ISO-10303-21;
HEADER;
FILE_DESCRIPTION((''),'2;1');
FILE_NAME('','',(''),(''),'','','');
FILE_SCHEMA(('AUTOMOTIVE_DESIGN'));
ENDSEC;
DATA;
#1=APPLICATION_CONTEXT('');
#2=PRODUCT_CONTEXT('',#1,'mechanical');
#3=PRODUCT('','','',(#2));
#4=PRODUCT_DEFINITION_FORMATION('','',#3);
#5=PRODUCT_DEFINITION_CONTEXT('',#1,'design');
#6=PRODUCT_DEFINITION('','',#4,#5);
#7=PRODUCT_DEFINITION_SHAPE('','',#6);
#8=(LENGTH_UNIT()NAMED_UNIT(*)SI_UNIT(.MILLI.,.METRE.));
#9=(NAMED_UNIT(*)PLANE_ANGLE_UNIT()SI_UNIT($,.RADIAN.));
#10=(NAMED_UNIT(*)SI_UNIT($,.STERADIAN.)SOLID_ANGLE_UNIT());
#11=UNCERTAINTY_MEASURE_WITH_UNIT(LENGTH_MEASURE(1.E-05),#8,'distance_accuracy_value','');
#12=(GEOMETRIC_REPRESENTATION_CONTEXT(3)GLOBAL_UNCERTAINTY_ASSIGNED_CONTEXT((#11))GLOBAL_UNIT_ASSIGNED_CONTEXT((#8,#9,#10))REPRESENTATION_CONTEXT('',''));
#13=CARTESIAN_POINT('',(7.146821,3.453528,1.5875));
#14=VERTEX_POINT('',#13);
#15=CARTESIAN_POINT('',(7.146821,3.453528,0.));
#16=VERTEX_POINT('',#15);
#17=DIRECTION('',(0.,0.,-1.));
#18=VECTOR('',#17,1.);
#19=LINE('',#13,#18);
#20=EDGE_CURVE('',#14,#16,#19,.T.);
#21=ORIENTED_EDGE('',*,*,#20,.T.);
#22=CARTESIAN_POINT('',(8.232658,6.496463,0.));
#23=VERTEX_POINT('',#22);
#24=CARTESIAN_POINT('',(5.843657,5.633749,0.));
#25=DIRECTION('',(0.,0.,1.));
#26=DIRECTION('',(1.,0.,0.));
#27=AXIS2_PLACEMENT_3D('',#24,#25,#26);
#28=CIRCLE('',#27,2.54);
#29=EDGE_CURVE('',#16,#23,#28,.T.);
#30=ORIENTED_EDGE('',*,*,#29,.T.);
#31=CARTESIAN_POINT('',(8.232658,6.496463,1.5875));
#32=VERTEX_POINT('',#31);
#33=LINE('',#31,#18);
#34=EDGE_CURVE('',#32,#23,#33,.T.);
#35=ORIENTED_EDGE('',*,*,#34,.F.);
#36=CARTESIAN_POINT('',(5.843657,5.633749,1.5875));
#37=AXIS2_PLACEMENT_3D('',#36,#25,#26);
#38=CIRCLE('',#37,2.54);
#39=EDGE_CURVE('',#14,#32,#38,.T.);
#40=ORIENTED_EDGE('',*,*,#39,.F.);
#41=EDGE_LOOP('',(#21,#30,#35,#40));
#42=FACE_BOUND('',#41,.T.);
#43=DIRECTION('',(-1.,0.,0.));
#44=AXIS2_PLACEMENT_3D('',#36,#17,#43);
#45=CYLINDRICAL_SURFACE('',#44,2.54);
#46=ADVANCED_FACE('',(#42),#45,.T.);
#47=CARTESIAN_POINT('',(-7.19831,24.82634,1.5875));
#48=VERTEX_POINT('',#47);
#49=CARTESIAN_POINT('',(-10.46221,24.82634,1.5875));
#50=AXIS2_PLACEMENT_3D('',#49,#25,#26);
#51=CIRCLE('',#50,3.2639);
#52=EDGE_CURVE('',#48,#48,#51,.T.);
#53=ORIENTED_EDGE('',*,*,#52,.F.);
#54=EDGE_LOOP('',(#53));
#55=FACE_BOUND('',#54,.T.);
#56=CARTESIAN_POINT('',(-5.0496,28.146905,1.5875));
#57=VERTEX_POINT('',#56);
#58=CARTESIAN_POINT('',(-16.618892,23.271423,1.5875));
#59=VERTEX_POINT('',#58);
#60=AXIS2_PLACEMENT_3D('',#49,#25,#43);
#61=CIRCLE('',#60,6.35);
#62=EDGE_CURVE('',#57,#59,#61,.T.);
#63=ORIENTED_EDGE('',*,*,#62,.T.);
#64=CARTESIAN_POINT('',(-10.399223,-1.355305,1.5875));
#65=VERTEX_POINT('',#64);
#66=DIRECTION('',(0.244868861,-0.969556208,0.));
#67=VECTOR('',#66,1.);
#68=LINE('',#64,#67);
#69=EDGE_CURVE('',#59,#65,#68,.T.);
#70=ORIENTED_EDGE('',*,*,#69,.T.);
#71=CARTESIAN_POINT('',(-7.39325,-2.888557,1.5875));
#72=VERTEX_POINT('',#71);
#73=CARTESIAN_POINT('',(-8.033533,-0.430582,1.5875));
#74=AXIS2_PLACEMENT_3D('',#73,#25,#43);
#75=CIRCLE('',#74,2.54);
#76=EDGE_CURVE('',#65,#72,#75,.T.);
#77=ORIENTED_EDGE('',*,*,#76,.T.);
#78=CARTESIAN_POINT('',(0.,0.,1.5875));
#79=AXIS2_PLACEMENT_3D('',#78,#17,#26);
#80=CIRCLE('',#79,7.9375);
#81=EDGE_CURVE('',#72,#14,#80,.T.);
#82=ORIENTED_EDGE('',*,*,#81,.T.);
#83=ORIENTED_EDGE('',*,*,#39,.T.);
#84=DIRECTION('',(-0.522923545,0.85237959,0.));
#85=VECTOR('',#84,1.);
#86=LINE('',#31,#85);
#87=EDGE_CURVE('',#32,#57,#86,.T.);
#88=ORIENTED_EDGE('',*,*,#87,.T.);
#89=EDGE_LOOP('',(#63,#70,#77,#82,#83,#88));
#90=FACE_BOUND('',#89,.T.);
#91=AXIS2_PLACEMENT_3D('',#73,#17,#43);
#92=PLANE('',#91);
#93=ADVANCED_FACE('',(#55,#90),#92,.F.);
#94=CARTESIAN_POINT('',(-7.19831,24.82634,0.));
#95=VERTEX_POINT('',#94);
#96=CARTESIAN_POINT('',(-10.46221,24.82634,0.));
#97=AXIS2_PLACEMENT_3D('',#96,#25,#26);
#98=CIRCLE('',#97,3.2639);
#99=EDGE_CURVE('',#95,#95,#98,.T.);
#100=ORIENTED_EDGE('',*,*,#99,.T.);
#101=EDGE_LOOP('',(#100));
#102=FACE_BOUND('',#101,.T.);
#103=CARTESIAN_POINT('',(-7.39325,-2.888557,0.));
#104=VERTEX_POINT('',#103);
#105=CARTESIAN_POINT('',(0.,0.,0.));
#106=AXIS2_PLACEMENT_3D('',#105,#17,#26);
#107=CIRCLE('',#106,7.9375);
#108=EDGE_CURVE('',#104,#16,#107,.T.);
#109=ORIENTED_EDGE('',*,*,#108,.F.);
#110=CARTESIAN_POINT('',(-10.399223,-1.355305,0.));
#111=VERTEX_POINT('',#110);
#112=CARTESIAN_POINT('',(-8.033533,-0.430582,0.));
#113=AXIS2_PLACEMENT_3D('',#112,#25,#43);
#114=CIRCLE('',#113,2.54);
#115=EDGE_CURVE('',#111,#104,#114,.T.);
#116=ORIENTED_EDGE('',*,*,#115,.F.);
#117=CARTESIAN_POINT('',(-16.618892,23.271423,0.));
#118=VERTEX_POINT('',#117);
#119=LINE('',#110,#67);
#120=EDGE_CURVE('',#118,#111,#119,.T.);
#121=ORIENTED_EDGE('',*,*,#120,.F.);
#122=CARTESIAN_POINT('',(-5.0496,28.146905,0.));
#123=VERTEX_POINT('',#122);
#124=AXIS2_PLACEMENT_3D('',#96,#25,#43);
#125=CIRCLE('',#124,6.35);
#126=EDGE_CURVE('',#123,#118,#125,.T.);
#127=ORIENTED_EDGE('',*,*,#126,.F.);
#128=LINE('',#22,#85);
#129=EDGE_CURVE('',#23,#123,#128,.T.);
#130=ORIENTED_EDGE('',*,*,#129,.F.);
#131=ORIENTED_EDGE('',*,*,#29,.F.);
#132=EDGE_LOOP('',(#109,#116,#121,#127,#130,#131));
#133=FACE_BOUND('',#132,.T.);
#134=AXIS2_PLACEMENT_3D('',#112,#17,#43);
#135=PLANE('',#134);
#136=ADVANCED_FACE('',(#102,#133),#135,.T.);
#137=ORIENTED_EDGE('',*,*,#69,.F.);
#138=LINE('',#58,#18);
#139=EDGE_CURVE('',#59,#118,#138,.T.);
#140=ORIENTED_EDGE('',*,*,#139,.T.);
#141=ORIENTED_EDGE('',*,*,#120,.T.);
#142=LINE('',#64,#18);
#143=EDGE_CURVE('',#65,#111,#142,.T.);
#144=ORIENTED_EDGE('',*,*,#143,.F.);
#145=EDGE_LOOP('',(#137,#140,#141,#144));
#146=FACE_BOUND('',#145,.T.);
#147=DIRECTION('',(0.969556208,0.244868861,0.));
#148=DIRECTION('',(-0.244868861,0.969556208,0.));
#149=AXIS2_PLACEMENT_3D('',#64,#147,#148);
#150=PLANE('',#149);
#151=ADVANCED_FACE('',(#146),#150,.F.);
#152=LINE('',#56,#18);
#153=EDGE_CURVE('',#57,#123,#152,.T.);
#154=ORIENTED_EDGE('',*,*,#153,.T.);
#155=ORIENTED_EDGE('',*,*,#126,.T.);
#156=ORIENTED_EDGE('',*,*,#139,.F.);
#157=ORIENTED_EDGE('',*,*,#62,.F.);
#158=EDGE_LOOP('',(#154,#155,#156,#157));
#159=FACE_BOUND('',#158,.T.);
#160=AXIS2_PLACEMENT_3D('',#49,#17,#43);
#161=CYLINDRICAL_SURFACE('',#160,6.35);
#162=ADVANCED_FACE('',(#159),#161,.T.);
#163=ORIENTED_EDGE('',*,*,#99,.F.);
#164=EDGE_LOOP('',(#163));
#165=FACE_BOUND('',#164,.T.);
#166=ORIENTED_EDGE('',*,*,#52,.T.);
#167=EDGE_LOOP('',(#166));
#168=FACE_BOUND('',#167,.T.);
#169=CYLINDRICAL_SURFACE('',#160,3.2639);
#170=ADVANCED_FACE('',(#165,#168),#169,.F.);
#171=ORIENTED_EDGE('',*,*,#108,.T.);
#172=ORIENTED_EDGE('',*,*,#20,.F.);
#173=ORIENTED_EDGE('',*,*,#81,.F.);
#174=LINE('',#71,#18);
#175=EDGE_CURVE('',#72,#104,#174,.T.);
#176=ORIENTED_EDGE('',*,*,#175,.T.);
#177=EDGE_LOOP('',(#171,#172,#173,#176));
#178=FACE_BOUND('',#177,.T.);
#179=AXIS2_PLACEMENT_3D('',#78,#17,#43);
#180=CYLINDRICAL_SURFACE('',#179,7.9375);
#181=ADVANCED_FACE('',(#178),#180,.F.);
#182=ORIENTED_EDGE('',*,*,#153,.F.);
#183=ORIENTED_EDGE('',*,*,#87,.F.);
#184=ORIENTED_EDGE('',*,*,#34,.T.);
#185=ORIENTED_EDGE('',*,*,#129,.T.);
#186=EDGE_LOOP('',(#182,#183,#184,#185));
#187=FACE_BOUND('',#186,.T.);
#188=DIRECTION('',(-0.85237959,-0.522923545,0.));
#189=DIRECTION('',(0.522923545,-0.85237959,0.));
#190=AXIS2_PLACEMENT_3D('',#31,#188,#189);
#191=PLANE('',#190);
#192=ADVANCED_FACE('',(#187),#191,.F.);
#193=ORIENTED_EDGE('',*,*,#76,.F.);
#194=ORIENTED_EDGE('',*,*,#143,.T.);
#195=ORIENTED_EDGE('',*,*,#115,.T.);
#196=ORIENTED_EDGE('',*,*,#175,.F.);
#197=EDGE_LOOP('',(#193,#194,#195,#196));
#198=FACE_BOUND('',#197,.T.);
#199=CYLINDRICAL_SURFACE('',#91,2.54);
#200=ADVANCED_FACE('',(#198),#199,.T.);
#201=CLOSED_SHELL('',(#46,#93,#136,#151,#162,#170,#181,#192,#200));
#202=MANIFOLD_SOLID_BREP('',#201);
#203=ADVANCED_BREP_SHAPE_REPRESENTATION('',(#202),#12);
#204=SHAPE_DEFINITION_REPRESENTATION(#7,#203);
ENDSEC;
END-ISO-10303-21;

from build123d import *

# Parameters (mm, degrees)
SKETCH1_R           = 3.2639
BOSS_EXTRUDE1_DEPTH = 1.5875


with BuildPart() as part:
    # Sketch1 → Boss-Extrude1 (new body)
    with BuildSketch(Plane.XY):
        with BuildLine():
            Line((-10.399223057, -1.355304965), (-16.618892138, 23.271422721))
            ThreePointArc((-16.618892138, 23.271422721), (-12.928176814, 30.677964445), (-5.049599818, 28.146904502))
            Line((-5.049599818, 28.146904502), (8.232658224, 6.496462906))
            ThreePointArc((8.232658224, 6.496462906), (8.235912134, 4.780099916), (7.146821009, 3.45352801))
            ThreePointArc((7.146821009, 3.45352801), (-3.173435189, 7.275521655), (-7.393250126, -2.888556529))
            ThreePointArc((-7.393250126, -2.888556529), (-9.187644243, -2.693241765), (-10.399223057, -1.355304965))
        make_face()
        with Locations((-10.462210217, 24.826339992)):
            Circle(SKETCH1_R, mode=Mode.SUBTRACT)
    extrude(amount=BOSS_EXTRUDE1_DEPTH)


solid = part.part
